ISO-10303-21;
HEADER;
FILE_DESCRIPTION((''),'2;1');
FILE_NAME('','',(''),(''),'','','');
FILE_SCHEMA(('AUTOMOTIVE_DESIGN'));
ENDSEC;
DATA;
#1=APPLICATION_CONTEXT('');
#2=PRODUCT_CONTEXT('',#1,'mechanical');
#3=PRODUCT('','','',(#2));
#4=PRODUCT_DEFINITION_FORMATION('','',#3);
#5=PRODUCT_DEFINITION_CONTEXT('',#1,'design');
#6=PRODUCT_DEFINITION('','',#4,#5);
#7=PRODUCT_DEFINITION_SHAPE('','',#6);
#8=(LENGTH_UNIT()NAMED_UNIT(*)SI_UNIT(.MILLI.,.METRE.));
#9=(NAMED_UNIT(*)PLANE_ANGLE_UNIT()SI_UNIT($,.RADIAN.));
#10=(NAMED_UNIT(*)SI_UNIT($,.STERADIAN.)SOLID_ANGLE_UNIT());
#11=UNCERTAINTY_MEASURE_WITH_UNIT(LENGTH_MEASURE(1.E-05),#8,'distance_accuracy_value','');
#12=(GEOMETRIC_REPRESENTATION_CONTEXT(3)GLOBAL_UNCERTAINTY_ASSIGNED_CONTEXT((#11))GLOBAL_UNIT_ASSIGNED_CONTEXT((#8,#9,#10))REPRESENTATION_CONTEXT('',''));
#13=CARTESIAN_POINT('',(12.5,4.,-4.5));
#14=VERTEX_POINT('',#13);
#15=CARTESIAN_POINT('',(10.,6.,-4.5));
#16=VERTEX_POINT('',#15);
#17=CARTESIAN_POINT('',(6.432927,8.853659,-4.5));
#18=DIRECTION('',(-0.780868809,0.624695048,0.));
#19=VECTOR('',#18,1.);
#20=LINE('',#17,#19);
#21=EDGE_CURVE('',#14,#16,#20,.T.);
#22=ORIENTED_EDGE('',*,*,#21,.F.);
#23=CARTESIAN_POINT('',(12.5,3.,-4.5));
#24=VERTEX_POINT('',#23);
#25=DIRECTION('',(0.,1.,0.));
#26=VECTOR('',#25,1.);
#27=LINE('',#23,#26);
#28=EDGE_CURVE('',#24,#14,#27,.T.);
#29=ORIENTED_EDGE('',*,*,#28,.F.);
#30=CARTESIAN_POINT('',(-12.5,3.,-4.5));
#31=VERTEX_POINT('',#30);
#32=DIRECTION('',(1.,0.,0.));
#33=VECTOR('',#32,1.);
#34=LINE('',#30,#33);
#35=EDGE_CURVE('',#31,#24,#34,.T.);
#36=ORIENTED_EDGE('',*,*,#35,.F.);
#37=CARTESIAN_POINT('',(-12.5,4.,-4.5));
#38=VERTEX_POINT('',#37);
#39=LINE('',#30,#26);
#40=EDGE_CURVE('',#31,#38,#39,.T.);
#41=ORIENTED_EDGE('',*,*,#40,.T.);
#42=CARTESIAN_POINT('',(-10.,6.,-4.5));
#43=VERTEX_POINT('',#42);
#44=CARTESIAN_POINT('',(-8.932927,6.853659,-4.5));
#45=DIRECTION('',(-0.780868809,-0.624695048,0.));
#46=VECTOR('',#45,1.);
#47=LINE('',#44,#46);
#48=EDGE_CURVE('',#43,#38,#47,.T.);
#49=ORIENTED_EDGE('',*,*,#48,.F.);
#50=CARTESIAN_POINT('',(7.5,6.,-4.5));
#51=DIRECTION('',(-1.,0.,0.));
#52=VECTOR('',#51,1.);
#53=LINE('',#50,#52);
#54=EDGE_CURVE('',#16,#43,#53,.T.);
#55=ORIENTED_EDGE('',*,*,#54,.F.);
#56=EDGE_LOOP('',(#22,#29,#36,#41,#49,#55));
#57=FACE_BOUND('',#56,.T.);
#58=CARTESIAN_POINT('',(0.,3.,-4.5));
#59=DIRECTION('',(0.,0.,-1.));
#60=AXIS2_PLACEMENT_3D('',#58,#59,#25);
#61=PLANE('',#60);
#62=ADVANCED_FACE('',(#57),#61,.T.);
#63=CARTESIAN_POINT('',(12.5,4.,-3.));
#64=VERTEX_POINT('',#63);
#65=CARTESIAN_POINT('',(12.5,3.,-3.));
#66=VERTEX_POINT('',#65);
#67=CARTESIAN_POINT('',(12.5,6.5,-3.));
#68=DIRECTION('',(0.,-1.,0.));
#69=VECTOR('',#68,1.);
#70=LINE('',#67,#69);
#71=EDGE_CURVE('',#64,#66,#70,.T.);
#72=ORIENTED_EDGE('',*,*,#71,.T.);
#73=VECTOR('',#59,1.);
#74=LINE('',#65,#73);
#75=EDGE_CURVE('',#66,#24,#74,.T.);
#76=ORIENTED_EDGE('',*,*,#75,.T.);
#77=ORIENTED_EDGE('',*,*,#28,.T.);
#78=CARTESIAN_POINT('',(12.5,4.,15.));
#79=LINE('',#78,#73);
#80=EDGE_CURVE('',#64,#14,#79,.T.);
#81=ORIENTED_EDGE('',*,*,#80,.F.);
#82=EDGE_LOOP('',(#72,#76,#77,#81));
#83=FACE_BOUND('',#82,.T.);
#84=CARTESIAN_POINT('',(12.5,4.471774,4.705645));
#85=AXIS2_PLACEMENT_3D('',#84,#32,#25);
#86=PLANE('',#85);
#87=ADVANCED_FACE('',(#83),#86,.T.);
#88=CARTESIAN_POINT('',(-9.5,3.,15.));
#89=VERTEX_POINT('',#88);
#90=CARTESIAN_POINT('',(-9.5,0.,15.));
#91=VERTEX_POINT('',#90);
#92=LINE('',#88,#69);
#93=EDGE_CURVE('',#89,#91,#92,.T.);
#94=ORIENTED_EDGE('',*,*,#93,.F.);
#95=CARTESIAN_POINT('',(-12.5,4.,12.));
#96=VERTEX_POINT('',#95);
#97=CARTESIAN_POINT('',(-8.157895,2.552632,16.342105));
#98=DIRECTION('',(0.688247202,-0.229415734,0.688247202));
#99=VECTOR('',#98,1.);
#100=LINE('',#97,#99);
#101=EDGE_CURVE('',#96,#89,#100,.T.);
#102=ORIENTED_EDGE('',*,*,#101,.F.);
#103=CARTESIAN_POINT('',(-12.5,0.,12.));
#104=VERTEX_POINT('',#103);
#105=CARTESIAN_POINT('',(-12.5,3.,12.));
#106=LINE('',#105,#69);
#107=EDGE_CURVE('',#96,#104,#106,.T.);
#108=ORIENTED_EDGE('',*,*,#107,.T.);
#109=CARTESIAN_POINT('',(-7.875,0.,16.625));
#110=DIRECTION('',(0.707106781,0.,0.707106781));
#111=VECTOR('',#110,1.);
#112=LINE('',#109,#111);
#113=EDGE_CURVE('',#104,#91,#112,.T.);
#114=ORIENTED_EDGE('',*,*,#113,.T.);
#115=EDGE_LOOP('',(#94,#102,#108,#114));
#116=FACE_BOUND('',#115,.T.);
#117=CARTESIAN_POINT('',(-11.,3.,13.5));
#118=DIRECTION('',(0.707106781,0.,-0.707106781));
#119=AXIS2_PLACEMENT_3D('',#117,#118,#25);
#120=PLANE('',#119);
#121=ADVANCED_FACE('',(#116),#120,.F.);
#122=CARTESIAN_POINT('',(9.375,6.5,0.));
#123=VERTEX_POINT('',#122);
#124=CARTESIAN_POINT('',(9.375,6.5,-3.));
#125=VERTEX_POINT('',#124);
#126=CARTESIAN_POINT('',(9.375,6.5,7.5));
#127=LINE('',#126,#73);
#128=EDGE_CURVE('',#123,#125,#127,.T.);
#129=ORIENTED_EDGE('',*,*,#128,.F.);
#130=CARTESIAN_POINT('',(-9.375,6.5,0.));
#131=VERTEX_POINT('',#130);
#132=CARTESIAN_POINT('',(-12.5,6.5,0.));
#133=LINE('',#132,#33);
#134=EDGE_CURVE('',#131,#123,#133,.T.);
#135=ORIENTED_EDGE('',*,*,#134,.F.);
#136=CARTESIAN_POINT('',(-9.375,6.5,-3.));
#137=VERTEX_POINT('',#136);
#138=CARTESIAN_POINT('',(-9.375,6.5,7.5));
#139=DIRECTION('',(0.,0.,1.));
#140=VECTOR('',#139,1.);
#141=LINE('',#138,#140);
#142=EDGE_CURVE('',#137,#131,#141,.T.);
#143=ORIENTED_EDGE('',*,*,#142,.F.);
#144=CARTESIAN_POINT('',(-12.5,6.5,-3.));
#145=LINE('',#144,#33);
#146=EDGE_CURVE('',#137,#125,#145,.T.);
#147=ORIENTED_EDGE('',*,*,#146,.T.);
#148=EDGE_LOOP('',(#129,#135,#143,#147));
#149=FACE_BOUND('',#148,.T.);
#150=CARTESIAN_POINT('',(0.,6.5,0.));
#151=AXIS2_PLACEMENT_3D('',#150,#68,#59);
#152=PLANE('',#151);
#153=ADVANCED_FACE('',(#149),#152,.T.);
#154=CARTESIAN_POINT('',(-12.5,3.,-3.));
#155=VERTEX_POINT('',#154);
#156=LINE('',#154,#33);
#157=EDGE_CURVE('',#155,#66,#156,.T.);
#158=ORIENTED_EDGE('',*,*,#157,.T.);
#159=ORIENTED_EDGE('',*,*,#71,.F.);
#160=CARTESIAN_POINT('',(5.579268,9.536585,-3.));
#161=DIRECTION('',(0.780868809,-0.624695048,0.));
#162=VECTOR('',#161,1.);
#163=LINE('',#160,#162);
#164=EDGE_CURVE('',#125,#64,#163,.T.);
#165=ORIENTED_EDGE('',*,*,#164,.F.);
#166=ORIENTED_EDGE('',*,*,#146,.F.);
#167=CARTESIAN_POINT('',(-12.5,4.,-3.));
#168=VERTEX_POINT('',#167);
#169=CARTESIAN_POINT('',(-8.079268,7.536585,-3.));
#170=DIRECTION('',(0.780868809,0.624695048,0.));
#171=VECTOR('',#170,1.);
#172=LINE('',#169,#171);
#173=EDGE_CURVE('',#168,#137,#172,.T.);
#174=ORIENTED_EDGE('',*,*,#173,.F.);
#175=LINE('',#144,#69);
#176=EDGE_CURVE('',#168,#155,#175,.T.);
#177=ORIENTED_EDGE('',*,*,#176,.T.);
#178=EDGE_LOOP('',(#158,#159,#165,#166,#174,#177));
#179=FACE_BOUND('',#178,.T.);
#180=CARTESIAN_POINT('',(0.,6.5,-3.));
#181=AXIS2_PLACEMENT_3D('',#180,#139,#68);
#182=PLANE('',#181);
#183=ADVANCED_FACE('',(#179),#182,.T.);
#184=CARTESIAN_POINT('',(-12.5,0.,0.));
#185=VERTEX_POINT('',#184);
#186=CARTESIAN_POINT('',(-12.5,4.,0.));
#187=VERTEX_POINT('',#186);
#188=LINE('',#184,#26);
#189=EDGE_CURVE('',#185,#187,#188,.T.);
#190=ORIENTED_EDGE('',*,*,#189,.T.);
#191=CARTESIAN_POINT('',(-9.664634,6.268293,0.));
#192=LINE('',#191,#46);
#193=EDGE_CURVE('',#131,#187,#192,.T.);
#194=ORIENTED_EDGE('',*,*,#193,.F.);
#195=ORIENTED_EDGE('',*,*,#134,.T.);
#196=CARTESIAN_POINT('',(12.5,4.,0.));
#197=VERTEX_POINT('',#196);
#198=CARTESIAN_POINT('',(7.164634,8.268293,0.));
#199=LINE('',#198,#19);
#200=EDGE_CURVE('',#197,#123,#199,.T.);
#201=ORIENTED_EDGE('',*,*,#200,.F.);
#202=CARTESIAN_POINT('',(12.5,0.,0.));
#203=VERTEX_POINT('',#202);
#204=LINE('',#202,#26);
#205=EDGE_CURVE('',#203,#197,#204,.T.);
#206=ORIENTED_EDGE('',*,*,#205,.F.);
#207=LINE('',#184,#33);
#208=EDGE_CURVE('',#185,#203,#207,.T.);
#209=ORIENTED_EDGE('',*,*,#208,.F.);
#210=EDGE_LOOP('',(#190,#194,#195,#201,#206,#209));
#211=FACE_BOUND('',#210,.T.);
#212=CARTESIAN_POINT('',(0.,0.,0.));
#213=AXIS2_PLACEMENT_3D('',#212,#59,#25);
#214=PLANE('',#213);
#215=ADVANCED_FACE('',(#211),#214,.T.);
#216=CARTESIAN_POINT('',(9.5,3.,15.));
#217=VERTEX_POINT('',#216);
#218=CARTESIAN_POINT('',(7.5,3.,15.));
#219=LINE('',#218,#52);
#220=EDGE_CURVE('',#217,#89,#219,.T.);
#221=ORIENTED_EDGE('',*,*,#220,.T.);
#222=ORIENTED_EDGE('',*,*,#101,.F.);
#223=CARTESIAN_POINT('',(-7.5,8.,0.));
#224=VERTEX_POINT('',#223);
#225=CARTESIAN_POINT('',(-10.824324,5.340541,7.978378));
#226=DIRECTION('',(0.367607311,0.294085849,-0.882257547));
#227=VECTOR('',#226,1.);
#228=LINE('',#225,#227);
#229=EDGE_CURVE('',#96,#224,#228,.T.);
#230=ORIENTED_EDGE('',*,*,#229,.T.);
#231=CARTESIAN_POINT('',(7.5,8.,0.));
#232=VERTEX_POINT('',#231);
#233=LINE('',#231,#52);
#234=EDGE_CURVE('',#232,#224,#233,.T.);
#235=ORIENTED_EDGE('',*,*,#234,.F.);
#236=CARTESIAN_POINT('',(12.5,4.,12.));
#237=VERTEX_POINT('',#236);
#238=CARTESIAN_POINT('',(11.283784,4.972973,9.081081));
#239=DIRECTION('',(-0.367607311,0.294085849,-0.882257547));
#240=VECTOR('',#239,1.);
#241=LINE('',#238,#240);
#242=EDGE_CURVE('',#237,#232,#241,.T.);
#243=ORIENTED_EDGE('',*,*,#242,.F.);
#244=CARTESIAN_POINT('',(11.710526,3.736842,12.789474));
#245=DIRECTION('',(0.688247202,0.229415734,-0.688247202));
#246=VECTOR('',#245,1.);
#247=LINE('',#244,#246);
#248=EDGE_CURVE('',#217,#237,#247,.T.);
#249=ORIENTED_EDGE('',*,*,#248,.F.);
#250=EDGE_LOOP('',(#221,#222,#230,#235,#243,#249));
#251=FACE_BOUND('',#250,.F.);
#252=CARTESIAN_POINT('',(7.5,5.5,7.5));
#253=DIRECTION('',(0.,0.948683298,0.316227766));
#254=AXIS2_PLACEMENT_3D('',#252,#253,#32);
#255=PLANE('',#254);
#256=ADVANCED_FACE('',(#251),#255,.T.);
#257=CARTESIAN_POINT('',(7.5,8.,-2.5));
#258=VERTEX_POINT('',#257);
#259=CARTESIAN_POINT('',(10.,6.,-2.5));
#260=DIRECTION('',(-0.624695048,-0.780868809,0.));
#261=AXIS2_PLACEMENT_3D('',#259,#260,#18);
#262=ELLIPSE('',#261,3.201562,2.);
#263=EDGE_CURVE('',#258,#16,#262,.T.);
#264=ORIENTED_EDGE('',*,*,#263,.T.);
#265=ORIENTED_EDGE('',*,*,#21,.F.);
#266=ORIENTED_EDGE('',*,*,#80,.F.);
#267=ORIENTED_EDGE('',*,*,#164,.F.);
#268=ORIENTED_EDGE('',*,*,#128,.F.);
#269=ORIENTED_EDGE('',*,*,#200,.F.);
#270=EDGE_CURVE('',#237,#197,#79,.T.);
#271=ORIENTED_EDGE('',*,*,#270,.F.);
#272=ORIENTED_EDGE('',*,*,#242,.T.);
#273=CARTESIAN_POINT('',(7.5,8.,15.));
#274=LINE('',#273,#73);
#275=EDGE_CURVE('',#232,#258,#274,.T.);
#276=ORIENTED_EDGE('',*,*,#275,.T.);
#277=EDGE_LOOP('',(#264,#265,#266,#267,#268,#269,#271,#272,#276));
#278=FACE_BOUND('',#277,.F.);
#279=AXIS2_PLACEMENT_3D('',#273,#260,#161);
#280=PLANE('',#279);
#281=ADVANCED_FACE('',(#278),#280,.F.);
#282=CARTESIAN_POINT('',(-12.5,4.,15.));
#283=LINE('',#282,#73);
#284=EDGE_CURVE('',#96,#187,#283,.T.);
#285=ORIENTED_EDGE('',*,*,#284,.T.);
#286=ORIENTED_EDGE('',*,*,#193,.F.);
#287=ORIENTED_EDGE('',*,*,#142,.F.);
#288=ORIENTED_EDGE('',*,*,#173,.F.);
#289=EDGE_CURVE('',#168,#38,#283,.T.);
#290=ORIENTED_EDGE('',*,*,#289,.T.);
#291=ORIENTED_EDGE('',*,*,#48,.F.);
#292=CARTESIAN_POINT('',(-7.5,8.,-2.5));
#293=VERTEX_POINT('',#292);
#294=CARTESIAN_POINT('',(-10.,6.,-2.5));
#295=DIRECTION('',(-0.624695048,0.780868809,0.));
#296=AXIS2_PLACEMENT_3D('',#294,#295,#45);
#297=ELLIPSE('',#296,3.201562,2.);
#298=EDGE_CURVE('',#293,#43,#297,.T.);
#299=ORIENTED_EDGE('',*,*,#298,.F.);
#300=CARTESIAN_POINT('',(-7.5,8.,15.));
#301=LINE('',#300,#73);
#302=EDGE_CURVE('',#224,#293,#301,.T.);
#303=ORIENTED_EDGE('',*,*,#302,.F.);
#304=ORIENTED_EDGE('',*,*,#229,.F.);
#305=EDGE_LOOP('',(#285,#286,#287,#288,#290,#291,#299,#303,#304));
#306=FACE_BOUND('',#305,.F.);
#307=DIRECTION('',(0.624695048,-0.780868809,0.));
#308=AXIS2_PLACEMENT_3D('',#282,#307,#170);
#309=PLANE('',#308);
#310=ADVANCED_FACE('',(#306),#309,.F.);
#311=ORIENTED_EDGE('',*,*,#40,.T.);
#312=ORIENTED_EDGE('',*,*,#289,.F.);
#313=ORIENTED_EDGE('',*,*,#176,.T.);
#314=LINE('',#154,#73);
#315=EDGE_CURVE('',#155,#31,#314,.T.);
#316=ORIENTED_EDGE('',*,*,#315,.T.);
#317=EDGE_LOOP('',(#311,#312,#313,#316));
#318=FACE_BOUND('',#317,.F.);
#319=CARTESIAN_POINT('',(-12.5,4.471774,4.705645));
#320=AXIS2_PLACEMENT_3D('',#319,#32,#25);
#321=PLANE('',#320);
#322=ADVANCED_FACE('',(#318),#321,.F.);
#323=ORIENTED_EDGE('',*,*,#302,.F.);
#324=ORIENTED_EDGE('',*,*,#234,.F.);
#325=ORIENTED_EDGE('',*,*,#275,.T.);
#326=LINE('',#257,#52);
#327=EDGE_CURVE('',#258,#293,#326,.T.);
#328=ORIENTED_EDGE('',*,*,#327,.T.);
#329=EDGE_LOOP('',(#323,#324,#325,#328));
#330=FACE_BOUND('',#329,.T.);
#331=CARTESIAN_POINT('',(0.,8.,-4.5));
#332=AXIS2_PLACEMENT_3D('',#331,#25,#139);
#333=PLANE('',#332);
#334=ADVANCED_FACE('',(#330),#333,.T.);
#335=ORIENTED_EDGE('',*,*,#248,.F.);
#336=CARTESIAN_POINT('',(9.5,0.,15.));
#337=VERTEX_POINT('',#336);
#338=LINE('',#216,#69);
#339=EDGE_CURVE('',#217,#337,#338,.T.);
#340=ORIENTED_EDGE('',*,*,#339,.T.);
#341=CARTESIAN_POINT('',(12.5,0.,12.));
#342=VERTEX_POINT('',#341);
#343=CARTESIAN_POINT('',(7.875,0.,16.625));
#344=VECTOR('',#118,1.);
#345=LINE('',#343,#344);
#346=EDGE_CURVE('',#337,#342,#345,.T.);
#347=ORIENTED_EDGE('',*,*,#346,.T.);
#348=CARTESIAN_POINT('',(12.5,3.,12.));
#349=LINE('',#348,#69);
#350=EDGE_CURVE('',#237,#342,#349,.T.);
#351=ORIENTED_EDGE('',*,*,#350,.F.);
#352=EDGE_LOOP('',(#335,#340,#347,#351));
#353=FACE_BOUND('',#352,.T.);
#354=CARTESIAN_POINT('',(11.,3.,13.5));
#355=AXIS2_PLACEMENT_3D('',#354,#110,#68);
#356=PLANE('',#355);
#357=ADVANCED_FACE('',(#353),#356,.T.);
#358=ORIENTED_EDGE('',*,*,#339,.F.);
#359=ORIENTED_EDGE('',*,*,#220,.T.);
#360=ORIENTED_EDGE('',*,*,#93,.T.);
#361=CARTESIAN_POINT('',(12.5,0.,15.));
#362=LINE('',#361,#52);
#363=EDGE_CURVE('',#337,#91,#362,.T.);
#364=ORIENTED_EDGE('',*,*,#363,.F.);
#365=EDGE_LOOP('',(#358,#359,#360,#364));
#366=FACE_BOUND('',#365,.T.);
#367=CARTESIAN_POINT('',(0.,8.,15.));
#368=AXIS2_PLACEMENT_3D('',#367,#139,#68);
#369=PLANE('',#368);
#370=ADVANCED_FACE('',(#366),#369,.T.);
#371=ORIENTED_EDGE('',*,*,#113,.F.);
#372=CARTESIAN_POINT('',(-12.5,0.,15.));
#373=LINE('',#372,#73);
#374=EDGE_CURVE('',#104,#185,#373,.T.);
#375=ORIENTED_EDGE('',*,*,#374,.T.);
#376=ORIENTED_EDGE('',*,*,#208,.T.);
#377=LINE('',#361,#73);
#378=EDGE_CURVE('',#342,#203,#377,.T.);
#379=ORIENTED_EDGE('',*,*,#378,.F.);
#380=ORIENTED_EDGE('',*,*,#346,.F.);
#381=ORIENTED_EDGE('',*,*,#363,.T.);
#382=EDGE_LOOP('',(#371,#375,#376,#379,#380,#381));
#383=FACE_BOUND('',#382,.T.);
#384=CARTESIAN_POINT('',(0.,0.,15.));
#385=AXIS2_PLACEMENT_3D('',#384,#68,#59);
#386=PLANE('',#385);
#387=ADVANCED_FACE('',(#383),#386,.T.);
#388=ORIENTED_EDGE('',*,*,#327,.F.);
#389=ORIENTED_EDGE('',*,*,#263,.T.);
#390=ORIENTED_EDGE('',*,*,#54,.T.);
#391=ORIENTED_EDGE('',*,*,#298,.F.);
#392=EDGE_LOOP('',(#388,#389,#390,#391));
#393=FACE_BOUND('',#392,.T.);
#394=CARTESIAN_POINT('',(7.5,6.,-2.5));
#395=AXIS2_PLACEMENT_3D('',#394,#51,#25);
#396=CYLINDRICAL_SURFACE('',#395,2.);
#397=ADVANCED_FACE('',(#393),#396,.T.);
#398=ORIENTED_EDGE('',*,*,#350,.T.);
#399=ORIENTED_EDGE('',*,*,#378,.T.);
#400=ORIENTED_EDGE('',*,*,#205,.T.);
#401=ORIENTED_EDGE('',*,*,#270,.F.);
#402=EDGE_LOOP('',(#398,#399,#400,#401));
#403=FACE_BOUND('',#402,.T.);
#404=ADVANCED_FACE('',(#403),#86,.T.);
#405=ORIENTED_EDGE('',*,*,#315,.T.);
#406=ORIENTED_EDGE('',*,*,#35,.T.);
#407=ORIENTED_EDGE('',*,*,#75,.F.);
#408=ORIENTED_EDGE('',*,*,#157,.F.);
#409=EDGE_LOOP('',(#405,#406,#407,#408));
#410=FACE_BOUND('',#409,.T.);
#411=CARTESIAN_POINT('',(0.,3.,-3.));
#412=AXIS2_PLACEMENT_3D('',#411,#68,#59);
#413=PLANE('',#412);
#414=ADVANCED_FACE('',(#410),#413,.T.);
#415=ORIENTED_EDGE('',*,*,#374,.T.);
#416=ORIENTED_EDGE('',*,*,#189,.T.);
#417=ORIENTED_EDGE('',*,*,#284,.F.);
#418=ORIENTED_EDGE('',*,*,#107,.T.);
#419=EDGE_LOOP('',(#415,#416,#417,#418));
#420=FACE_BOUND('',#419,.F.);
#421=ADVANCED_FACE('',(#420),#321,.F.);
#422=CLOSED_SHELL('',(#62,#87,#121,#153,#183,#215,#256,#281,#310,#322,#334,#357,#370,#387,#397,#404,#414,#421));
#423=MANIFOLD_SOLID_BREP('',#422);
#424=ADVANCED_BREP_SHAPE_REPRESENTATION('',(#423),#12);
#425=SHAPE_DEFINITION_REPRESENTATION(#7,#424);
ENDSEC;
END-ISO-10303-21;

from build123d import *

# Parameters (mm, degrees)
F3_DEPTH = 12.5
F1_DEPTH = 25
F4_SIZE2 = 15
F4_SIZE  = 5
F5_SIZE  = 3
F6_R     = 2


with BuildPart() as f3:
    # F2 (on Right) → F3 (new body, symmetric)
    with BuildSketch(Plane.YZ):
        Polygon((0, 15), (0, 0), (6.5, 0), (6.5, -3), (3, -3), (3, -4.5), (8, -4.5), (8, 15), align=None)
    extrude(amount=F3_DEPTH, both=True)

    # F0 (on face) → F1 (cut)
    with BuildSketch(Plane.XY.offset(15)):
        Polygon((7.5, 8), (12.5, 4), (12.5, 8), align=None)
        Polygon((-12.5, 4), (-7.5, 8), (-12.5, 8), align=None)
    extrude(amount=-F1_DEPTH, mode=Mode.SUBTRACT)

    # F4
    f4_edges = [f3.edges().sort_by_distance(p)[0] for p in [
        (0, 8, 15),
    ]]
    chamfer(f4_edges, length=F4_SIZE, length2=F4_SIZE2)

    # F5
    f5_edges = [f3.edges().sort_by_distance(p)[0] for p in [
        (-12.5, 1.5, 15),
        (12.5, 1.5, 15),
    ]]
    chamfer(f5_edges, length=F5_SIZE)

    # F6
    f6_edges = [f3.edges().sort_by_distance(p)[0] for p in [
        (0, 8, -4.5),
    ]]
    fillet(f6_edges, radius=F6_R)


solid = f3.part
